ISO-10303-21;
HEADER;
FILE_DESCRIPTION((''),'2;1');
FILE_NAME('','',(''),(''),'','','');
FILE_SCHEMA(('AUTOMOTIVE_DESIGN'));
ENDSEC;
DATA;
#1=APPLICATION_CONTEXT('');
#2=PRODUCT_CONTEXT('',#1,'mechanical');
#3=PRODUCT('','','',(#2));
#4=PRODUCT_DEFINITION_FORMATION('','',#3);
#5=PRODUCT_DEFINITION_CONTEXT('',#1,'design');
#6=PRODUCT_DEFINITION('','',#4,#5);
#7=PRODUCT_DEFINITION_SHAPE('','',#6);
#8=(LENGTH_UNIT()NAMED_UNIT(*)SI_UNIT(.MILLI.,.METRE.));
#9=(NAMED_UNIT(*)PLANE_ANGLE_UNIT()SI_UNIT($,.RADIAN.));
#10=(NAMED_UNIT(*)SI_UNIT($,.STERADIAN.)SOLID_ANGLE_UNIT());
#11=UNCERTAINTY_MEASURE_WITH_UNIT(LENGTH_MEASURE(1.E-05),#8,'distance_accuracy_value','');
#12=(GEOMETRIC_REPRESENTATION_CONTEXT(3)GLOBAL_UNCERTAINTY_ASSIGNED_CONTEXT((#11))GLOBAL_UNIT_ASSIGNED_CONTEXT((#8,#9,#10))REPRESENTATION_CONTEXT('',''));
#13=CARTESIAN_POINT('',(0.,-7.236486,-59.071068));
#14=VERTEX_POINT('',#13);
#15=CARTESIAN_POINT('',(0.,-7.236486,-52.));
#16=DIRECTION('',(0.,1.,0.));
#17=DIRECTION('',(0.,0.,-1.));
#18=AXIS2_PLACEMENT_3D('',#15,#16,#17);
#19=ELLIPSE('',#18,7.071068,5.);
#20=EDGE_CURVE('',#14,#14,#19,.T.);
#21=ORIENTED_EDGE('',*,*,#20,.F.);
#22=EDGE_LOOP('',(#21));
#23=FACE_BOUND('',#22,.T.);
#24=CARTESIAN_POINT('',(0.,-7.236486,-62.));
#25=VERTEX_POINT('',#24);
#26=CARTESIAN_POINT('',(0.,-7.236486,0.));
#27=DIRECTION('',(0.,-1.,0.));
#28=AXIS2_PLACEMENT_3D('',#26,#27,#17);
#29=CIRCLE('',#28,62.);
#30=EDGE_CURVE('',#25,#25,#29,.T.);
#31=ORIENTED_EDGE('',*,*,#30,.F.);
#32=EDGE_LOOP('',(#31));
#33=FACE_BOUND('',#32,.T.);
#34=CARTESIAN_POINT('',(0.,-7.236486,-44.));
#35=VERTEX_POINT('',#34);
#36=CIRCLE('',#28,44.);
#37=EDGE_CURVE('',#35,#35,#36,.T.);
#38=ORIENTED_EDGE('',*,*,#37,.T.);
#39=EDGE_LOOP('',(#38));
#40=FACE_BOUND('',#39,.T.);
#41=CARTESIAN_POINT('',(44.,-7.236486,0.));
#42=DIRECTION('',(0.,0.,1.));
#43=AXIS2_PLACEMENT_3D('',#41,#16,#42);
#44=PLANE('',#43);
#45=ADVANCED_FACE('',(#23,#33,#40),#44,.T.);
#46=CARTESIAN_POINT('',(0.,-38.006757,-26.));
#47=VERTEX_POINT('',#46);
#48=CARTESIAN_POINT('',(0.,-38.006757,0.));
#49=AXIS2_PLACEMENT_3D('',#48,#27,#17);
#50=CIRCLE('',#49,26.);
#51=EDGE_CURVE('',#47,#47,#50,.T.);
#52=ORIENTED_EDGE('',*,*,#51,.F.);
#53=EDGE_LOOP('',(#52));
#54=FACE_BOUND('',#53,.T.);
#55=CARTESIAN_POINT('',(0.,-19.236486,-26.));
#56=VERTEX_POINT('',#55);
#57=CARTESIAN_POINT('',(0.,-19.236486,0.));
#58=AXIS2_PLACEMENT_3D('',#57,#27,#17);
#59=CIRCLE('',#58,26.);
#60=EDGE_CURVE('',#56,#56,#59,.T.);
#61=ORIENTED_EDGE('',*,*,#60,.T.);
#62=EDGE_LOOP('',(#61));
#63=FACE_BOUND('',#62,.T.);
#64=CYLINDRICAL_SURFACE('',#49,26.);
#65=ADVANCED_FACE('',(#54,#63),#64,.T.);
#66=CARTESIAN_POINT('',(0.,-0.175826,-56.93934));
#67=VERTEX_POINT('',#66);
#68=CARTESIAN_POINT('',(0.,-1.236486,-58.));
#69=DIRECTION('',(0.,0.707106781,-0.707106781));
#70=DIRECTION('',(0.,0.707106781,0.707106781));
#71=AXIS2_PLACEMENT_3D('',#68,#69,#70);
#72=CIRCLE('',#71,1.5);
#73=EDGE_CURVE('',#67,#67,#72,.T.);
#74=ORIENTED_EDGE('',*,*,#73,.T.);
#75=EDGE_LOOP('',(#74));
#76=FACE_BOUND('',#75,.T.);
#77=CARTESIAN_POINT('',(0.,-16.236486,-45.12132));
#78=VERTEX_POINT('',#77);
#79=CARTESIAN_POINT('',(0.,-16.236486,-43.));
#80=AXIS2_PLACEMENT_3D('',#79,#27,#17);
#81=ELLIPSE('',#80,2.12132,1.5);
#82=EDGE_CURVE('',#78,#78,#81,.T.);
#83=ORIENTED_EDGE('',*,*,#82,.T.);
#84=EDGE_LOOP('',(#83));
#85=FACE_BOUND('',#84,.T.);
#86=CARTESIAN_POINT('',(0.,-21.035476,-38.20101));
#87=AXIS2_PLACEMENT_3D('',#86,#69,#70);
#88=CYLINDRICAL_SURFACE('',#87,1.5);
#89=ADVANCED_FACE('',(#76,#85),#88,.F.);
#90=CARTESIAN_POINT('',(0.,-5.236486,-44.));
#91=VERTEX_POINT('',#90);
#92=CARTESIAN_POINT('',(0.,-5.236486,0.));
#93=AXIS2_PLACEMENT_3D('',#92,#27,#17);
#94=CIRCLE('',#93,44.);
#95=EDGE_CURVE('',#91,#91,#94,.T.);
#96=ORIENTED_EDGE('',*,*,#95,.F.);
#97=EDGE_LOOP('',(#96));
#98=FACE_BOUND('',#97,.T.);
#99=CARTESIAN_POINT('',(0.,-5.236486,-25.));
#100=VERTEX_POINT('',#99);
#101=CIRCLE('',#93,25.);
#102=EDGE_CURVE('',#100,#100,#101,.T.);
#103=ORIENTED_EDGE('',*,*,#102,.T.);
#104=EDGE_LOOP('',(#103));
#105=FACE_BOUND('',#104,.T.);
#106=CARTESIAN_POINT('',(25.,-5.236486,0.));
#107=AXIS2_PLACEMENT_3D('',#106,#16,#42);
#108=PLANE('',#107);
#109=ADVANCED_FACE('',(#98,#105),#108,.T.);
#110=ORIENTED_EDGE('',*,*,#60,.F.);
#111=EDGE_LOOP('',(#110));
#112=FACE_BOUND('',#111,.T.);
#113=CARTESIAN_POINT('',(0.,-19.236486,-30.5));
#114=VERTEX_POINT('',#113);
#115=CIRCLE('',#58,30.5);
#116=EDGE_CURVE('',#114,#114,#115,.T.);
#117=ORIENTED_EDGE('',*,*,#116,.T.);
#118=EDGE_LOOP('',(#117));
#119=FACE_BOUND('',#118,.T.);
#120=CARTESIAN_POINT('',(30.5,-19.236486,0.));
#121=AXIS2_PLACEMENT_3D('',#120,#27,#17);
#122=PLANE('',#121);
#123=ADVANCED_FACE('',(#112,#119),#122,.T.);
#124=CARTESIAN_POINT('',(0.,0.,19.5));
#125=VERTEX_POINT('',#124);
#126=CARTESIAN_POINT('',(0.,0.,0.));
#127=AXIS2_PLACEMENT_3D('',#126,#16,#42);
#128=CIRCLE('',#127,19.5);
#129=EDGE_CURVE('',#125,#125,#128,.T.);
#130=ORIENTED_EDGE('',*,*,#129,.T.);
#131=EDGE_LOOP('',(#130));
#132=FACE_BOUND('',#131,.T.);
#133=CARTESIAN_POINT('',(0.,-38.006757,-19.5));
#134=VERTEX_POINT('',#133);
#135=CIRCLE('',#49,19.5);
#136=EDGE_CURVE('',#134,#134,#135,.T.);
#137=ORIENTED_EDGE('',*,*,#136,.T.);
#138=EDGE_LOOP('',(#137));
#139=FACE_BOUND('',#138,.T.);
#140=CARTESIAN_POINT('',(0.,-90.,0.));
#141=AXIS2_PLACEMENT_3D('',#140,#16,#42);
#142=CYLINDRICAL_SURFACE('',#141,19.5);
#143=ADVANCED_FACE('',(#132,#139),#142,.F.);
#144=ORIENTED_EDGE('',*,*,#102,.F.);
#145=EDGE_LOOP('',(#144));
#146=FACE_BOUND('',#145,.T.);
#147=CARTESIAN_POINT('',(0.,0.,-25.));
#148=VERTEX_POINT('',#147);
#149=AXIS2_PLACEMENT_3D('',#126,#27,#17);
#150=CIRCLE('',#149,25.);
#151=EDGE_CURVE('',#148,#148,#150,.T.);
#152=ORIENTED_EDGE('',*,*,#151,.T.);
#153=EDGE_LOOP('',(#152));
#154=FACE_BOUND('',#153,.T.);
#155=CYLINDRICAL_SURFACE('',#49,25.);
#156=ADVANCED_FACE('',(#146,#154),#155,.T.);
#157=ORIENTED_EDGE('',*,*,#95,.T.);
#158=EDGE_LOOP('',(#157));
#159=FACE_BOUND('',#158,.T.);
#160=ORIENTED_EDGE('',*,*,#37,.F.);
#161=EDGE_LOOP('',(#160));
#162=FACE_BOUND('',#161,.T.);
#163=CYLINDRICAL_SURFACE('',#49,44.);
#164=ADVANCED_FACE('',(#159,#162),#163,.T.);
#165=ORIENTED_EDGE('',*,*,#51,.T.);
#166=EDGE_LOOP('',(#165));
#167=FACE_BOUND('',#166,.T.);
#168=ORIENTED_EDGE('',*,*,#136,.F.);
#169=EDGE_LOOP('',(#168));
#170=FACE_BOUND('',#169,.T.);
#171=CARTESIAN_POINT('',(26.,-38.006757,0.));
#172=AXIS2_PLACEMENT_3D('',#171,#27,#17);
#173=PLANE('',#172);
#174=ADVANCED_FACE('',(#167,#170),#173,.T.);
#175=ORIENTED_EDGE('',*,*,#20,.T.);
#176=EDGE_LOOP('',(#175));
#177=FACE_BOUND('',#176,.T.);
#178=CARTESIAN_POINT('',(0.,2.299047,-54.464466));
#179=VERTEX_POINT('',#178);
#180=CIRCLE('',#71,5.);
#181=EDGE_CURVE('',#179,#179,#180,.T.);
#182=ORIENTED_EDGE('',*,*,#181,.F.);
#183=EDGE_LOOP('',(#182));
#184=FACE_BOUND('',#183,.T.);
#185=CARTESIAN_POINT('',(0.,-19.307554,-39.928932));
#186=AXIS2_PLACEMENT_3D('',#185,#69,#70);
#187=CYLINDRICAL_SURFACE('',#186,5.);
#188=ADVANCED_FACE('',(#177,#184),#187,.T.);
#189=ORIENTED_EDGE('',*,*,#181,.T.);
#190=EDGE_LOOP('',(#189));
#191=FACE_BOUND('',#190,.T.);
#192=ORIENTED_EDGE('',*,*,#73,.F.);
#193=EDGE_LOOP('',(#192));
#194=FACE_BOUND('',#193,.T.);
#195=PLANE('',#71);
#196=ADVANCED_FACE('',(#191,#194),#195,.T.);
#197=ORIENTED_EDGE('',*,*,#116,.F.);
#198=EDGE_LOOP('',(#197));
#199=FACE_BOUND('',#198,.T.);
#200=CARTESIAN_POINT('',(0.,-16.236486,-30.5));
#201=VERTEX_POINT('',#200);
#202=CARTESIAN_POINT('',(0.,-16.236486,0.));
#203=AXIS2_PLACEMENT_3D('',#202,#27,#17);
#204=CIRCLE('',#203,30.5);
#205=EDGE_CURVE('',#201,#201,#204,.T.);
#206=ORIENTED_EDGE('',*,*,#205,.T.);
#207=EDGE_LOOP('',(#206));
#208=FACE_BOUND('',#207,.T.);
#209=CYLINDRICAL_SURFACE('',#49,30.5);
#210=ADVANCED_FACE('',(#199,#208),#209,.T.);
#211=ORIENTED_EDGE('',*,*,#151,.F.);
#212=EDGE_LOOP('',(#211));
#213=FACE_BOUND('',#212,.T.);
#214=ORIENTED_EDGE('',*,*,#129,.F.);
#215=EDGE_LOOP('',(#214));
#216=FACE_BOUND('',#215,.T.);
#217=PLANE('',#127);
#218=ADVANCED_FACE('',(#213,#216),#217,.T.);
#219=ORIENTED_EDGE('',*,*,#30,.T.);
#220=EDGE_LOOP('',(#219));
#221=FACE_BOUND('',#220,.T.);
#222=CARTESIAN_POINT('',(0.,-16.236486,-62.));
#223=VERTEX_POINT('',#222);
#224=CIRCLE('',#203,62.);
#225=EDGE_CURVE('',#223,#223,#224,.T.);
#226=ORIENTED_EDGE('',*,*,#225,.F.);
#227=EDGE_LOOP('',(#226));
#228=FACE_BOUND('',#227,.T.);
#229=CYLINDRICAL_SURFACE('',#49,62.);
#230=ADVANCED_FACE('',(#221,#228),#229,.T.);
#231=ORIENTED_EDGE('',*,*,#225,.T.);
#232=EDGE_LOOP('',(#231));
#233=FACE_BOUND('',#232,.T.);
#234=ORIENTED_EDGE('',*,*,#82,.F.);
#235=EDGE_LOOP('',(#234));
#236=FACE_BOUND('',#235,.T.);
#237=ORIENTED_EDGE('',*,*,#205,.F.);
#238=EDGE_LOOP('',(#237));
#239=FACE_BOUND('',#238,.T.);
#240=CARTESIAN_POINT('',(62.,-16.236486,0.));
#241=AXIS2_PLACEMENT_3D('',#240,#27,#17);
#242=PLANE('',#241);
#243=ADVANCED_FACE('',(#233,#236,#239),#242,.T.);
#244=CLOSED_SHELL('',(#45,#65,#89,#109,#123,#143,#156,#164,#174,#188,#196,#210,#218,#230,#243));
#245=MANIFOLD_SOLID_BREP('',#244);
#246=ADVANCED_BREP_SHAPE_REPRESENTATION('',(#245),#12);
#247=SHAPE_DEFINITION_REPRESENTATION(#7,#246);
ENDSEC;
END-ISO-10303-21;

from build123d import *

# Parameters (mm, degrees)
SKETCH2_R           = 19.5
CUT_EXTRUDE1_DEPTH  = 90
BOSS_EXTRUDE1_REACH = 112.853
SKETCH5_R           = 5
SKETCH6_R           = 1.5
CUT_EXTRUDE3_DEPTH  = 28


with BuildPart() as part:
    # Sketch1 → Revolve2 (revolve)
    with BuildSketch(Plane.XY):
        Polygon((0, 0), (25, 0), (25, -5.236486486), (44, -5.236486486), (44, -7.236486486), (62, -7.236486486), (62, -16.236486486), (30.5, -16.236486486), (30.5, -19.236486486), (26, -19.236486486), (26, -38.006756757), (0, -38.006756757), align=None)
    revolve(axis=Axis((0, -38.006756757, 0), (0, 1, 0)))

    # Sketch2 → Cut-Extrude1 (cut)
    with BuildSketch(Plane(origin=(0, 0, 0), x_dir=(1, 0, 0), z_dir=(0, 1, 0))):
        Circle(SKETCH2_R)
    extrude(amount=-CUT_EXTRUDE1_DEPTH, mode=Mode.SUBTRACT)

    # Boss-Extrude1: up to this face of the body (flat: up to its plane)
    boss_extrude1_end = Plane(part.part.faces().sort_by_distance((-45.753624817, -7.236486486, 0))[0])
    # Sketch5 → Boss-Extrude1 (add, up to the picked face)
    with BuildSketch(Plane(origin=(0, -1.236486486, -58), x_dir=(-1, 0, 0), z_dir=(0, 0.707106781, -0.707106781)), mode=Mode.PRIVATE) as boss_extrude1_sk1:
        Circle(SKETCH5_R)
    boss_extrude1_tool1 = split(extrude(boss_extrude1_sk1.sketch, amount=-BOSS_EXTRUDE1_REACH, mode=Mode.PRIVATE), bisect_by=boss_extrude1_end, keep=Keep.BOTH, mode=Mode.PRIVATE)
    add(boss_extrude1_tool1.solids().sort_by_distance((0, -1.236486, -58))[0])

    # Sketch6 → Cut-Extrude3 (cut)
    with BuildSketch(Plane(origin=(0, 28.381756757, -28.381756757), x_dir=(1, 0, 0), z_dir=(0, 0.707106781, -0.707106781))):
        with Locations((0, 41.886521288)):
            Circle(SKETCH6_R)
    extrude(amount=-CUT_EXTRUDE3_DEPTH, mode=Mode.SUBTRACT)


solid = part.part
